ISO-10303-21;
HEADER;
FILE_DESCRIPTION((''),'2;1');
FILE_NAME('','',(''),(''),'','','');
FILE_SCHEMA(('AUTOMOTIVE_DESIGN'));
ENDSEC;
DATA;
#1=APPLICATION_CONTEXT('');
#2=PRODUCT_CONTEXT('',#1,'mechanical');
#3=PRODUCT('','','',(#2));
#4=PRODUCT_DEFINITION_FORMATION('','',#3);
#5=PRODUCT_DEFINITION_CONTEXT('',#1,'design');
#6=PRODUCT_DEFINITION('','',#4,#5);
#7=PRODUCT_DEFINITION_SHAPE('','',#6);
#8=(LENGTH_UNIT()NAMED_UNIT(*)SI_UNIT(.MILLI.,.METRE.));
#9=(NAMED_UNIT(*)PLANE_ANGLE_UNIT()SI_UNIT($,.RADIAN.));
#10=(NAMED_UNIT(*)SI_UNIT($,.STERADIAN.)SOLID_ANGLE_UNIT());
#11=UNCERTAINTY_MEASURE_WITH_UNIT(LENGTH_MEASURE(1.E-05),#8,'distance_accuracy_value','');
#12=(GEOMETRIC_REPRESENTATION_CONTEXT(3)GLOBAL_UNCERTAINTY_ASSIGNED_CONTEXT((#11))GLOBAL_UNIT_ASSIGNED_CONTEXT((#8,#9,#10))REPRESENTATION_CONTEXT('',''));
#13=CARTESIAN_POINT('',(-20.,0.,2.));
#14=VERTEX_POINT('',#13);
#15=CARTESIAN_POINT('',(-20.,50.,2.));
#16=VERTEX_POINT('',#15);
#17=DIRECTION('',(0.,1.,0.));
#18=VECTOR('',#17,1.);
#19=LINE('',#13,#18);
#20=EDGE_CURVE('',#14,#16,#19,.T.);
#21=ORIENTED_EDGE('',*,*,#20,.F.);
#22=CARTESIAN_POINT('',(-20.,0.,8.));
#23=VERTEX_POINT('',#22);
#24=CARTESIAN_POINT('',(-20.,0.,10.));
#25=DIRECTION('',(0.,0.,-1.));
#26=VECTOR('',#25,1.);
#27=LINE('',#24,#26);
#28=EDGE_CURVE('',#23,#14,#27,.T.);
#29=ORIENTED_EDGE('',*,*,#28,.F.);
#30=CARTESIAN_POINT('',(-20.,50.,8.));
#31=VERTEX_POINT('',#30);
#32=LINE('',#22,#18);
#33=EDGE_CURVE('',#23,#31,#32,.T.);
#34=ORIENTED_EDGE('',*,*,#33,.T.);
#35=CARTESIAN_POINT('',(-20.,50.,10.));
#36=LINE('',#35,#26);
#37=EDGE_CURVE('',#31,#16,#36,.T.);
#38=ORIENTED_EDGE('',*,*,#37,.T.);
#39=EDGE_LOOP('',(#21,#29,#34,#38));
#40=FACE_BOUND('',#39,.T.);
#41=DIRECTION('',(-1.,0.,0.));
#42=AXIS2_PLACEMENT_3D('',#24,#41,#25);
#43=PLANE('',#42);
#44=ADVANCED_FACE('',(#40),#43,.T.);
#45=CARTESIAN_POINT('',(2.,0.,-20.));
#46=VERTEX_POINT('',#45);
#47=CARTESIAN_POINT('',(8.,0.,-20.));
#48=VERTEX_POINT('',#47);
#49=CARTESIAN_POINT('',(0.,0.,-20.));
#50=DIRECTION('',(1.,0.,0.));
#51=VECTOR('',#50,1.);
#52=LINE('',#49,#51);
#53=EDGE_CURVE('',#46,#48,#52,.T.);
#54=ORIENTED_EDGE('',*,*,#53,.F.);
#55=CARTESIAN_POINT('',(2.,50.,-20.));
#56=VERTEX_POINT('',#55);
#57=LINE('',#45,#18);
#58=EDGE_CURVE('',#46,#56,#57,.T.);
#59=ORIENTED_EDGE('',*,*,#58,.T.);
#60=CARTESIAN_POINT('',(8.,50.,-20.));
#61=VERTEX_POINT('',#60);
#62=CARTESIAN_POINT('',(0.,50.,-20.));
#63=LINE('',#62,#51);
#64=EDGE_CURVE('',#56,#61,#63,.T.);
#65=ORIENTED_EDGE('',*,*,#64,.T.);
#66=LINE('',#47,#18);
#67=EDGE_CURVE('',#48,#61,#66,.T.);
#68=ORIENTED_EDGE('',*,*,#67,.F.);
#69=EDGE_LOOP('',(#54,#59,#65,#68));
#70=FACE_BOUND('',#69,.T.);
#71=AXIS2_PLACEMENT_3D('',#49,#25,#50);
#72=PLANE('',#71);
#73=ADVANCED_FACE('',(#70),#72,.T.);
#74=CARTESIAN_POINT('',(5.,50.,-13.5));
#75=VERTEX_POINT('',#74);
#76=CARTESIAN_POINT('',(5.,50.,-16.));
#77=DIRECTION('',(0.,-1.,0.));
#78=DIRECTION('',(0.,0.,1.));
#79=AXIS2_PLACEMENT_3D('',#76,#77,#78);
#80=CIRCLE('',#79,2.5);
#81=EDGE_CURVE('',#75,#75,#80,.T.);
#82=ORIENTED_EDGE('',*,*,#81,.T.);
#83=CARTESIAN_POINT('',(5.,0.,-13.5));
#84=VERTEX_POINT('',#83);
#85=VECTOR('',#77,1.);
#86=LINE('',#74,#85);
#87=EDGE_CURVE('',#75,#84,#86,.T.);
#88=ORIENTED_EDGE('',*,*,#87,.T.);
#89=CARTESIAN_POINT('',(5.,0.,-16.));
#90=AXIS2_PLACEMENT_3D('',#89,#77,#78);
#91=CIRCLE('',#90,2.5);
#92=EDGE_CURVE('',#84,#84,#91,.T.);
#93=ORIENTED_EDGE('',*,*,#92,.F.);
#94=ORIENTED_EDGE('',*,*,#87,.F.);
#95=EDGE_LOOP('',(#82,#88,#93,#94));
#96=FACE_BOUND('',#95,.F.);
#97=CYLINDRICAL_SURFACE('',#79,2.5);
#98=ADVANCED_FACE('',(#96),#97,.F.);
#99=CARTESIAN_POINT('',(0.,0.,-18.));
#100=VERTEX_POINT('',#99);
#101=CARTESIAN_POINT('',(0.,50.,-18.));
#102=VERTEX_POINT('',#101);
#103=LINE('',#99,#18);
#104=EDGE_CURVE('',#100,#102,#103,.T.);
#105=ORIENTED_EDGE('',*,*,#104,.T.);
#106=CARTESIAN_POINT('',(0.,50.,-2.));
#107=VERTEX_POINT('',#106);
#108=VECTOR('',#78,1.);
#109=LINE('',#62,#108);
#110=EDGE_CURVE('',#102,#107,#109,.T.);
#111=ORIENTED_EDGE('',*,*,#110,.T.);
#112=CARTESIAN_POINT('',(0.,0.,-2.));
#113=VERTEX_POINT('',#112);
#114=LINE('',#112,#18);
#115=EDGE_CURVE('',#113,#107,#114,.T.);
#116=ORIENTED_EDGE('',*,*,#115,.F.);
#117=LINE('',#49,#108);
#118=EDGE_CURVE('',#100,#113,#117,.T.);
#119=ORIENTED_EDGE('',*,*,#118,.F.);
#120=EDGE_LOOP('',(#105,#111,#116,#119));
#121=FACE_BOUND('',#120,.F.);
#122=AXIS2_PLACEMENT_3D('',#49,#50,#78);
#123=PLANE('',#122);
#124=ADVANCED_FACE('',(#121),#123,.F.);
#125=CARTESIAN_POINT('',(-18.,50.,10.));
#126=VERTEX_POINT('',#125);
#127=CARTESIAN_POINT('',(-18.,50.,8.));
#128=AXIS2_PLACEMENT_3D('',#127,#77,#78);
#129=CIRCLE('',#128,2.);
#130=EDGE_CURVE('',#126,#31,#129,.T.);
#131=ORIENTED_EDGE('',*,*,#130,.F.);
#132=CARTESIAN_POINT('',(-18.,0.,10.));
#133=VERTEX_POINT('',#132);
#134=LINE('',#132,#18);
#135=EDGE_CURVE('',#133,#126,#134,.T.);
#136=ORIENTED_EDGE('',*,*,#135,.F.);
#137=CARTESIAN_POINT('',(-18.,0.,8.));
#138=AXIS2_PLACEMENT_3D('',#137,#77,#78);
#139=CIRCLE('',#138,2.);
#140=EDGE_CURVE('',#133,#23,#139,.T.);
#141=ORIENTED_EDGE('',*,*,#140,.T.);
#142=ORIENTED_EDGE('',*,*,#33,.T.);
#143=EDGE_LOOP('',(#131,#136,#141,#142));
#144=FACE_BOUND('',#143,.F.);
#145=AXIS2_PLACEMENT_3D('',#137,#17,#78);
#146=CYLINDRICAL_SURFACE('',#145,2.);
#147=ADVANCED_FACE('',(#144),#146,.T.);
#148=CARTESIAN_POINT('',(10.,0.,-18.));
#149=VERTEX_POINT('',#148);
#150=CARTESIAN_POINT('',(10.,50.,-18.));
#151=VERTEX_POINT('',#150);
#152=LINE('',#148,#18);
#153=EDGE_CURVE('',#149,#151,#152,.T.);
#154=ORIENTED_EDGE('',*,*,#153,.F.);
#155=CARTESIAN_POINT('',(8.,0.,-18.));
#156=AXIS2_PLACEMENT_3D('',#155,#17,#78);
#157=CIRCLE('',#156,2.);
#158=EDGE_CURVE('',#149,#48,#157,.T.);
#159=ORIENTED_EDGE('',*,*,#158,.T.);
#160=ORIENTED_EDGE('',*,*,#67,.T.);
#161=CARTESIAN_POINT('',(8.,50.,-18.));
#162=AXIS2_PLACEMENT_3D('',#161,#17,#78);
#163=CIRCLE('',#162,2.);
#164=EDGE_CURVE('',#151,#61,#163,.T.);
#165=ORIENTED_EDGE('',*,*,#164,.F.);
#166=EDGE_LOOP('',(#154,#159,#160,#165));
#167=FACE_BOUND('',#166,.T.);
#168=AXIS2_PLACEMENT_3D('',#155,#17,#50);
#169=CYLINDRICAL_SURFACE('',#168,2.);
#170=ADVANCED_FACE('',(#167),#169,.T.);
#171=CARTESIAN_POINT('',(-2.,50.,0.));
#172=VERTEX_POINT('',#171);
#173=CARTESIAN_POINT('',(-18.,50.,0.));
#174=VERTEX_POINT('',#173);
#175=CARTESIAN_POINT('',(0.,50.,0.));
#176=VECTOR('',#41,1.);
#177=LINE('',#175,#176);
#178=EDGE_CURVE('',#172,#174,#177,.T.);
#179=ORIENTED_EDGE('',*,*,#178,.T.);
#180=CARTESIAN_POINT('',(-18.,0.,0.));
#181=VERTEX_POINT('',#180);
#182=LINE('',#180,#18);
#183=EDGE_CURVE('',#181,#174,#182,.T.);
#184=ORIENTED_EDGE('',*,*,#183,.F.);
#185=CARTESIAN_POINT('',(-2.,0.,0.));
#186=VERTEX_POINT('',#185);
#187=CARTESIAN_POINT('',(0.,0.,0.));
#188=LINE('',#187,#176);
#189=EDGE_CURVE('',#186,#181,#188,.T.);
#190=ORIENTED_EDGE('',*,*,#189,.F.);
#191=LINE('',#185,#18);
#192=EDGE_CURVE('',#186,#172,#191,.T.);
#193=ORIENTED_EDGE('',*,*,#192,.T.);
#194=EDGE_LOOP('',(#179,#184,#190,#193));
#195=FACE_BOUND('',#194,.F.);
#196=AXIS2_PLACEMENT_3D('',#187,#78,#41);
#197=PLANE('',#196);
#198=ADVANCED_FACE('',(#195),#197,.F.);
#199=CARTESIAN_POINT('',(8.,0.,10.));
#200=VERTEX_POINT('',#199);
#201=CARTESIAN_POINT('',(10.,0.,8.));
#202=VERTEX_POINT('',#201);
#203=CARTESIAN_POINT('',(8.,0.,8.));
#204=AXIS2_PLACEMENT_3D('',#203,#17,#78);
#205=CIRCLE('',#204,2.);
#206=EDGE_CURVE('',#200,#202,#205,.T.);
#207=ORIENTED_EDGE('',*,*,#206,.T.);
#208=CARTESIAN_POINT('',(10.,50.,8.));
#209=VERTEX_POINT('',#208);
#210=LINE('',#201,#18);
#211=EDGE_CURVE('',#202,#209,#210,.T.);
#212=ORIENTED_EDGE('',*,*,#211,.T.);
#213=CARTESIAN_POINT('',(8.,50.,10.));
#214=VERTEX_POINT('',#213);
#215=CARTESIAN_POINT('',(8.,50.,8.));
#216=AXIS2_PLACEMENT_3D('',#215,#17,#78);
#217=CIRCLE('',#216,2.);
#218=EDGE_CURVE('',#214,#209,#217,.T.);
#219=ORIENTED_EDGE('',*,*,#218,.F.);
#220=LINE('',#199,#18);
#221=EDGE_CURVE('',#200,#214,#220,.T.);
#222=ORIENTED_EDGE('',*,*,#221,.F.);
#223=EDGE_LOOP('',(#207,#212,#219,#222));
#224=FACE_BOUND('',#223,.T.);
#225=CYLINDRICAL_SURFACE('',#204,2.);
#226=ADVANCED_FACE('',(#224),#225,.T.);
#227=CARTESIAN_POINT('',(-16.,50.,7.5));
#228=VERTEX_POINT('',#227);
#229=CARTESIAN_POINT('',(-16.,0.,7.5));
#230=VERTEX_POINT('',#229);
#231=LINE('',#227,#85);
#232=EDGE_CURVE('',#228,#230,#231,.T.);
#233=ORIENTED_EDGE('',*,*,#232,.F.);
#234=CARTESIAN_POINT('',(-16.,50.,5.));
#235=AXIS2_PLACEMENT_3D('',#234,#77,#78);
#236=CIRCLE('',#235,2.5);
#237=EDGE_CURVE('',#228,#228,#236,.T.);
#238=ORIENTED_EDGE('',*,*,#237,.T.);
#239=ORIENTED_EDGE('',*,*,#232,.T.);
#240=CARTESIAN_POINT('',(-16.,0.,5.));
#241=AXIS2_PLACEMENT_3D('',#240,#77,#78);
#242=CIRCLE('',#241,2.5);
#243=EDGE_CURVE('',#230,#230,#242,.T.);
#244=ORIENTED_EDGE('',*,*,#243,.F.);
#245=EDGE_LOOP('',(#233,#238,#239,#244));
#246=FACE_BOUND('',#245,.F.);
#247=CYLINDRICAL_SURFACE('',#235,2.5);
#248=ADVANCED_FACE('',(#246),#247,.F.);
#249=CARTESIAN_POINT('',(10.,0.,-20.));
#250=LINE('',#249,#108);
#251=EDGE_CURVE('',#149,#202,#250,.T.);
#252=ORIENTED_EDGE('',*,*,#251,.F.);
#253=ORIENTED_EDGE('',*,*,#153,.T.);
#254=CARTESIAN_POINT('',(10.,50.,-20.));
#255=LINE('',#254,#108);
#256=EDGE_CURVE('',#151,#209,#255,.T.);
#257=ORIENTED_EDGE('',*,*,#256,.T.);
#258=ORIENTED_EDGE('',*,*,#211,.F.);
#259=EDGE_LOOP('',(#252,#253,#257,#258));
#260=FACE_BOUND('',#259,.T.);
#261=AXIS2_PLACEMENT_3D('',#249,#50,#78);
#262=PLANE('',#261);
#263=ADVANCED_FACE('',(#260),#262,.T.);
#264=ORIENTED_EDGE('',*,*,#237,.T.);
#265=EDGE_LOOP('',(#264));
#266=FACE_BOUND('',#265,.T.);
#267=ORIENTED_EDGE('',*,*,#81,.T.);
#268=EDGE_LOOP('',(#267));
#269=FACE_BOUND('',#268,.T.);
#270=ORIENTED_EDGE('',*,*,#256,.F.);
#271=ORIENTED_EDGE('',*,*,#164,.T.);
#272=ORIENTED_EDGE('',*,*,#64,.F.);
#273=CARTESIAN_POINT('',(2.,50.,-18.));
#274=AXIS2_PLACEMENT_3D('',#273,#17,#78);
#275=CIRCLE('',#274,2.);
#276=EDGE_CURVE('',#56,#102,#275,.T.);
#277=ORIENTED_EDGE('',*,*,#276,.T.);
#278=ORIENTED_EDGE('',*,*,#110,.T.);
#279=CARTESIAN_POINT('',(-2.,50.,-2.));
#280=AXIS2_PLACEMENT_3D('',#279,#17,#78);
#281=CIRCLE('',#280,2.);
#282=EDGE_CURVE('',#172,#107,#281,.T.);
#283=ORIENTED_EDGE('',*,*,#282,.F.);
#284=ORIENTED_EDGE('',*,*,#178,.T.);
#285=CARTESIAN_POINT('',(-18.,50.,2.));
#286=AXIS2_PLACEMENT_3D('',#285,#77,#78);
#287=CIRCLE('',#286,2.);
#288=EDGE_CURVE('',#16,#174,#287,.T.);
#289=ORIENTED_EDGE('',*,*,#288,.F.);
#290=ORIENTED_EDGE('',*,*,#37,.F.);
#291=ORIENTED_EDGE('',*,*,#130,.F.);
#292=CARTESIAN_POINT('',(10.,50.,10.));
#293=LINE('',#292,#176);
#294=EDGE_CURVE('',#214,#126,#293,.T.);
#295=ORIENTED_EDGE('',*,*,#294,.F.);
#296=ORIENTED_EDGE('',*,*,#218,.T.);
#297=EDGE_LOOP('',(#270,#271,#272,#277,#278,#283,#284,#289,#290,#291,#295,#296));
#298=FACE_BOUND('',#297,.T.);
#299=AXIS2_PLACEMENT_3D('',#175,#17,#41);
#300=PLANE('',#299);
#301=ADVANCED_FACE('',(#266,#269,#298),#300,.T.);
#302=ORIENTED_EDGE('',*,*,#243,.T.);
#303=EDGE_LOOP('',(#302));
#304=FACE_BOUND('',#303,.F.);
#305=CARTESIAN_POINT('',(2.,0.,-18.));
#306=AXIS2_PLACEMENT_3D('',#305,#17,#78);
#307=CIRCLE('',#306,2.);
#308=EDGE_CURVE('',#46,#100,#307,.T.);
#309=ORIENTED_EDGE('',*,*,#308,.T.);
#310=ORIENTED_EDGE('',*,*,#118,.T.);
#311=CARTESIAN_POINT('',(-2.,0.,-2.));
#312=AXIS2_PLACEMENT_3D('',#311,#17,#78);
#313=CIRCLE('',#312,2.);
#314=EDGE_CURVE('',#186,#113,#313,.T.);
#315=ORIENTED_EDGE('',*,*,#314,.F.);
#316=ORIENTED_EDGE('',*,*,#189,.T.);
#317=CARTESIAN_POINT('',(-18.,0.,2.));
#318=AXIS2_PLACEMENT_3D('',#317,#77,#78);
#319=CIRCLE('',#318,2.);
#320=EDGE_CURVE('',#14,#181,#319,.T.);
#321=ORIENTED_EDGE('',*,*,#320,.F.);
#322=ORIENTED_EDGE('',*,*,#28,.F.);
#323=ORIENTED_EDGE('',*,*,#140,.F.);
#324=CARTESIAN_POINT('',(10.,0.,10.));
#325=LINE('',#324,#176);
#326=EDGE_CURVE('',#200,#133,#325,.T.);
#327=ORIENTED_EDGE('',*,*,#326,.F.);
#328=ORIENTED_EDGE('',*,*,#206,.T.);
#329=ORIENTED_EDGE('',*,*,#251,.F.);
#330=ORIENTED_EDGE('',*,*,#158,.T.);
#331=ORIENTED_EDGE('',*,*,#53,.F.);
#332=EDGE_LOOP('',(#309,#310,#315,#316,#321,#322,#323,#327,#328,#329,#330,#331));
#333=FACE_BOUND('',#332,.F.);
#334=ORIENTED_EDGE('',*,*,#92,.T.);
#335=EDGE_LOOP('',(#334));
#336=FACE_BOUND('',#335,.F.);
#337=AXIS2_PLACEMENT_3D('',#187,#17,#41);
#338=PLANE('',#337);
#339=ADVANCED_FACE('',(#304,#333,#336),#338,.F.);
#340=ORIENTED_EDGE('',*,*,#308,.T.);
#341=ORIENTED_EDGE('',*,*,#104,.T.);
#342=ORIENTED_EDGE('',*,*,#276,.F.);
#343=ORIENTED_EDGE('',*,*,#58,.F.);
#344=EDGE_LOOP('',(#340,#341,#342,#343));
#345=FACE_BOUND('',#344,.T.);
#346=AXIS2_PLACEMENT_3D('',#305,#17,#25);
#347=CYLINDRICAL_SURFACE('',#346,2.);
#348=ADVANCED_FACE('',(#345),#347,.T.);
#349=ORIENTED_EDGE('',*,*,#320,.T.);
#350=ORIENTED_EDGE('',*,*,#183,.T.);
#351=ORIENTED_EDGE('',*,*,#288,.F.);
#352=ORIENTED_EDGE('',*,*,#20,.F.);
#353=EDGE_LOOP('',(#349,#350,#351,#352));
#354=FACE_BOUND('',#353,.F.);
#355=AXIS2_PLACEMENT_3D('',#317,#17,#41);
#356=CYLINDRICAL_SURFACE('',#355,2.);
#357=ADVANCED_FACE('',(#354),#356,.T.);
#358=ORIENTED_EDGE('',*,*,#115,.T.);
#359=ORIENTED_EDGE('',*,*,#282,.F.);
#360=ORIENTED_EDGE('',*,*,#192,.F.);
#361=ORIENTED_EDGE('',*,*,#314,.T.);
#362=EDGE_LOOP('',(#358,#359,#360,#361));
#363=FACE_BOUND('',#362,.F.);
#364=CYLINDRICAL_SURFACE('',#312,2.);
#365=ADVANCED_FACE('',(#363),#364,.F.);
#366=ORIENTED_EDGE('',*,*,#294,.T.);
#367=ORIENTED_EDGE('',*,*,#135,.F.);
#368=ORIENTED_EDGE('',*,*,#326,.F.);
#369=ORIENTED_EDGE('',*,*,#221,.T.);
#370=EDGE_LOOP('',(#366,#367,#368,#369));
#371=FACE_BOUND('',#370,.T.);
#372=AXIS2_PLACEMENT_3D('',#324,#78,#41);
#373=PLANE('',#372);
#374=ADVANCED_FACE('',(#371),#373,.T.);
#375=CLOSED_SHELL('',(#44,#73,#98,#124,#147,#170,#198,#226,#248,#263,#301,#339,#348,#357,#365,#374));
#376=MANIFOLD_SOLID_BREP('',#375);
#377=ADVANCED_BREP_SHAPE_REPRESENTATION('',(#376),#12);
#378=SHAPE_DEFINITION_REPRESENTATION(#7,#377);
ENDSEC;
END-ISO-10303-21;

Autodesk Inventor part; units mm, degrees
ref_plane "YZ Plane" through (0, 0, 0) normal (1, 0, 0) x (0, 1, 0)
ref_plane "XZ Plane" through (0, 0, 0) normal (0, 1, 0) x (-1, 0, 0)
ref_plane "XY Plane" through (0, 0, 0) normal (0, 0, 1) x (1, 0, 0)
sketch "Sketch2" plane through (0, 0, 0) normal (0, 1, 0) x (-1, 0, 0)
  line L0 (-10, 10) -> (20, 10)
  line L1 (20, 10) -> (20, 0)
  line L2 (0, -20) -> (-10, -20)
  line L3 (-10, -20) -> (-10, 10)
  line L4 (0, 0) -> (20, 0)
  line L5 (20, 0) -> (20, -20)
  line L6 (20, -20) -> (0, -20)
  line L7 (0, -20) -> (0, 0)
  point P0 (5, 0)
  point P1 (0, -5)
  dimension "d4" = 30
  dimension "d5" = 30
  dimension "d6" = 20
  dimension "d7" = 20
extrude "Extrusion2" add sketch "Sketch2" along normal blind 50 contours L0 L1 L4 L7 L2 L3
sketch "Sketch3" plane through (0, 50, 0) normal (0, 1, 0) x (1, 0, 0)
  line L0 (10, 20) -> (0, 20) projected
  line L1 (0, 20) -> (0, 0) projected
  line L2 (-20, 0) -> (-20, -10) projected
  line L3 (-20, -10) -> (10, -10) projected
  point P0 (-16, -5)
  point P1 (5, 16)
  point P2 (-20, -5)
  point P3 (10, -10)
  point P4 (0, 5)
  dimension "d17" = 4
  dimension "d18" = 5
  dimension "d19" = 4
  dimension "d20" = 5
hole "Hole1" at (-16, 50, 5) at (5, 50, -16) direction (0, -1, 0) diameter 5 end through all
fillet "Fillet1" radius 2 2 edges at (10, 25, 10) (0, 25, 0)
fillet "Fillet2" radius 2 4 edges at (10, 25, -20) (0, 25, -20) (-20, 25, 0) (-20, 25, 10)
properties part number "Base_3D Printed Beam" material "ABS Plastic"
